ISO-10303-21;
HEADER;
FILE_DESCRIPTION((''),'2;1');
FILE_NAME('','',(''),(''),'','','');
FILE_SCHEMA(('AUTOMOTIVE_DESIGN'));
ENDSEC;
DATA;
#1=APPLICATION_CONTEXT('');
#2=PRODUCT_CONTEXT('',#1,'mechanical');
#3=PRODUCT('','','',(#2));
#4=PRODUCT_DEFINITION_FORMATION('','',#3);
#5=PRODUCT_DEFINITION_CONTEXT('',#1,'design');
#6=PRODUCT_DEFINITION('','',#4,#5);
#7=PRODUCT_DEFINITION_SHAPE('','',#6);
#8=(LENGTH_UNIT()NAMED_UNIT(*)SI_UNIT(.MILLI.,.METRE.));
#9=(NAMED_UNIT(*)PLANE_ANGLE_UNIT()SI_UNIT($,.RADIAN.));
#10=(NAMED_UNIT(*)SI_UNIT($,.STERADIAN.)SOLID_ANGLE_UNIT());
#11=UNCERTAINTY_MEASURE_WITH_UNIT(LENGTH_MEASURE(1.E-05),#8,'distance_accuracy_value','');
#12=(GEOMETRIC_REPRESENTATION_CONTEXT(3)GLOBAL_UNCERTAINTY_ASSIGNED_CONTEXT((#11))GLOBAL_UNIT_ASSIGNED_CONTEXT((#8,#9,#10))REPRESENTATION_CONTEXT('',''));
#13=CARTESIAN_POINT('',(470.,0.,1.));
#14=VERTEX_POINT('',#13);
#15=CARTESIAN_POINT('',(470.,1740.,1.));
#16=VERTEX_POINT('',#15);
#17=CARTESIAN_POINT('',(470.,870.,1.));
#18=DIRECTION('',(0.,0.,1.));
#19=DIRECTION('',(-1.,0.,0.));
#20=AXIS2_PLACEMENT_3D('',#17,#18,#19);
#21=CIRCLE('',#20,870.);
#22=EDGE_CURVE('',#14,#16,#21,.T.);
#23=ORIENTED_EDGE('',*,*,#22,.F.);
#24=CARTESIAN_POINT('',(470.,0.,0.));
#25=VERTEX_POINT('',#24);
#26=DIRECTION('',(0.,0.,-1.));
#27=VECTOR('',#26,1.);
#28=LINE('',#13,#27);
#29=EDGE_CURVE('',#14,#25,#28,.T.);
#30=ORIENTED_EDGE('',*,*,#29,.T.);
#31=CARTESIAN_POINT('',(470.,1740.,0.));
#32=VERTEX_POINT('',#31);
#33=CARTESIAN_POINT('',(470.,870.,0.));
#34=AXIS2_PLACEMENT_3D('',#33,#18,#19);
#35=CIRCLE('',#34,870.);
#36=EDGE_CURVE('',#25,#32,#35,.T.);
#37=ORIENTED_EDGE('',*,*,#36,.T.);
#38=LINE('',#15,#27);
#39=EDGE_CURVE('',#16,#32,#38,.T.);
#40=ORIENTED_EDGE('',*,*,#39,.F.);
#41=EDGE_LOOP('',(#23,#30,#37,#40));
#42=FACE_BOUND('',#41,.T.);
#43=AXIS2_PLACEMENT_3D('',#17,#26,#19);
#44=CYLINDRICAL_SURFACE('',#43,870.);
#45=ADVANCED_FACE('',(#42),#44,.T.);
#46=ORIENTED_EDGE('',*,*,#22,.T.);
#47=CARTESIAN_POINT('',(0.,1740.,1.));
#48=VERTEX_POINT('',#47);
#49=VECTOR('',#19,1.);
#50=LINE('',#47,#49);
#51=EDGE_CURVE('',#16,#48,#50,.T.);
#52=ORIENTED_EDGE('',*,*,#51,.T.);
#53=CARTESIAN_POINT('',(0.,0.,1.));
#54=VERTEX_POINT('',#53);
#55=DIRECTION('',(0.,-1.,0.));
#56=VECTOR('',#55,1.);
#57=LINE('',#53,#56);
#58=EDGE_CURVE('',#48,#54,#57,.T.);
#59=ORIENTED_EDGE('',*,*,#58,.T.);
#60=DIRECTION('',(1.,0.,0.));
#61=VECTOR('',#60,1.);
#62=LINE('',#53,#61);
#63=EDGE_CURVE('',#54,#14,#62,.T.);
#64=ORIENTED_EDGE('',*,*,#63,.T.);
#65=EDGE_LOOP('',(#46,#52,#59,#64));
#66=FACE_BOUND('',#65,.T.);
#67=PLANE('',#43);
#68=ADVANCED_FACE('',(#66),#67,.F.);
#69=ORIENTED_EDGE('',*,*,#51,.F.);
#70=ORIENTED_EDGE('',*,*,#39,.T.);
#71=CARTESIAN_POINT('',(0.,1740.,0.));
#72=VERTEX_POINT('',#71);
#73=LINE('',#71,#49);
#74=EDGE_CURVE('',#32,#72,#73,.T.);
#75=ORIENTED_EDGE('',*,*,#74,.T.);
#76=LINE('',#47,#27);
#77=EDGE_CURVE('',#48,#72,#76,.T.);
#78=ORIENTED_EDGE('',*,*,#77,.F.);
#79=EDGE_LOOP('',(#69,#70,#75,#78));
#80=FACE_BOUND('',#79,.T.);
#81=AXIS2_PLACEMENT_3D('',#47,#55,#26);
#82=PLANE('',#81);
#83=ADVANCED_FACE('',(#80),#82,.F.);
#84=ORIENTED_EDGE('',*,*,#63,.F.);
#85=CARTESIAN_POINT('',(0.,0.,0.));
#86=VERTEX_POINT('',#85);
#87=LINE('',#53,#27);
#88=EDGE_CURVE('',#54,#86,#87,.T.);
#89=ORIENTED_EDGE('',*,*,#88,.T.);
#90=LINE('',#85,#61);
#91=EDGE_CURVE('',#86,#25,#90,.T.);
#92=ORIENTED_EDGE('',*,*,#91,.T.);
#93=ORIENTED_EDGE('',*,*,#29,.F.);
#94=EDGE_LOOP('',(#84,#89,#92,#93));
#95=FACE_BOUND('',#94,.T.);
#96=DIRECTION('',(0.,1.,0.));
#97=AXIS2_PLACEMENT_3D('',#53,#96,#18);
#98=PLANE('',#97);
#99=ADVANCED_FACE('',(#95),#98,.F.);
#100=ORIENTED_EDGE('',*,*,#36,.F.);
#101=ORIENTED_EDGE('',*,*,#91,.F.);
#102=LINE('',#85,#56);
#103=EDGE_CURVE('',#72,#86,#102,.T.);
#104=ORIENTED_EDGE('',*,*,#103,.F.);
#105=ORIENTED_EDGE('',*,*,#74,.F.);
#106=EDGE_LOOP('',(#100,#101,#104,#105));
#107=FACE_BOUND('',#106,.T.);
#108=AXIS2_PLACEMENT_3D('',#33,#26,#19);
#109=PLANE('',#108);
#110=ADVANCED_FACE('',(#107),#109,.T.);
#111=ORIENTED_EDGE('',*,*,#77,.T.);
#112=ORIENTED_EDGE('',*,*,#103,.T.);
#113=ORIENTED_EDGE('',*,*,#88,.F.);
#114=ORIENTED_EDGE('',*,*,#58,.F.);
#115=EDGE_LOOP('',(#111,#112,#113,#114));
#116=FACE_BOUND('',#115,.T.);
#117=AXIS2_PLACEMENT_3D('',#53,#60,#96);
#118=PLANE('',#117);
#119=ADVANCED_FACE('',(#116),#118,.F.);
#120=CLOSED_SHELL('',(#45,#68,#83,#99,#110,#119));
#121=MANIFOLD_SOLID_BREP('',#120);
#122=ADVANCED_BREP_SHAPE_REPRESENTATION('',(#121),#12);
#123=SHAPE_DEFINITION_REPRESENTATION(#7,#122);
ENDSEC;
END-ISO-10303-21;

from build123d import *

# Parameters (mm, degrees)
BOSS_EXTRUDE1_DEPTH = 1


with BuildPart() as part:
    # Sketch1 → Boss-Extrude1 (new body)
    with BuildSketch(Plane.XY):
        with BuildLine():
            Line((0, 0), (470, 0))
            ThreePointArc((470, 0), (1340, 870), (470, 1740))
            Line((470, 1740), (0, 1740))
            Line((0, 1740), (0, 0))
        make_face()
    extrude(amount=BOSS_EXTRUDE1_DEPTH)


solid = part.part
